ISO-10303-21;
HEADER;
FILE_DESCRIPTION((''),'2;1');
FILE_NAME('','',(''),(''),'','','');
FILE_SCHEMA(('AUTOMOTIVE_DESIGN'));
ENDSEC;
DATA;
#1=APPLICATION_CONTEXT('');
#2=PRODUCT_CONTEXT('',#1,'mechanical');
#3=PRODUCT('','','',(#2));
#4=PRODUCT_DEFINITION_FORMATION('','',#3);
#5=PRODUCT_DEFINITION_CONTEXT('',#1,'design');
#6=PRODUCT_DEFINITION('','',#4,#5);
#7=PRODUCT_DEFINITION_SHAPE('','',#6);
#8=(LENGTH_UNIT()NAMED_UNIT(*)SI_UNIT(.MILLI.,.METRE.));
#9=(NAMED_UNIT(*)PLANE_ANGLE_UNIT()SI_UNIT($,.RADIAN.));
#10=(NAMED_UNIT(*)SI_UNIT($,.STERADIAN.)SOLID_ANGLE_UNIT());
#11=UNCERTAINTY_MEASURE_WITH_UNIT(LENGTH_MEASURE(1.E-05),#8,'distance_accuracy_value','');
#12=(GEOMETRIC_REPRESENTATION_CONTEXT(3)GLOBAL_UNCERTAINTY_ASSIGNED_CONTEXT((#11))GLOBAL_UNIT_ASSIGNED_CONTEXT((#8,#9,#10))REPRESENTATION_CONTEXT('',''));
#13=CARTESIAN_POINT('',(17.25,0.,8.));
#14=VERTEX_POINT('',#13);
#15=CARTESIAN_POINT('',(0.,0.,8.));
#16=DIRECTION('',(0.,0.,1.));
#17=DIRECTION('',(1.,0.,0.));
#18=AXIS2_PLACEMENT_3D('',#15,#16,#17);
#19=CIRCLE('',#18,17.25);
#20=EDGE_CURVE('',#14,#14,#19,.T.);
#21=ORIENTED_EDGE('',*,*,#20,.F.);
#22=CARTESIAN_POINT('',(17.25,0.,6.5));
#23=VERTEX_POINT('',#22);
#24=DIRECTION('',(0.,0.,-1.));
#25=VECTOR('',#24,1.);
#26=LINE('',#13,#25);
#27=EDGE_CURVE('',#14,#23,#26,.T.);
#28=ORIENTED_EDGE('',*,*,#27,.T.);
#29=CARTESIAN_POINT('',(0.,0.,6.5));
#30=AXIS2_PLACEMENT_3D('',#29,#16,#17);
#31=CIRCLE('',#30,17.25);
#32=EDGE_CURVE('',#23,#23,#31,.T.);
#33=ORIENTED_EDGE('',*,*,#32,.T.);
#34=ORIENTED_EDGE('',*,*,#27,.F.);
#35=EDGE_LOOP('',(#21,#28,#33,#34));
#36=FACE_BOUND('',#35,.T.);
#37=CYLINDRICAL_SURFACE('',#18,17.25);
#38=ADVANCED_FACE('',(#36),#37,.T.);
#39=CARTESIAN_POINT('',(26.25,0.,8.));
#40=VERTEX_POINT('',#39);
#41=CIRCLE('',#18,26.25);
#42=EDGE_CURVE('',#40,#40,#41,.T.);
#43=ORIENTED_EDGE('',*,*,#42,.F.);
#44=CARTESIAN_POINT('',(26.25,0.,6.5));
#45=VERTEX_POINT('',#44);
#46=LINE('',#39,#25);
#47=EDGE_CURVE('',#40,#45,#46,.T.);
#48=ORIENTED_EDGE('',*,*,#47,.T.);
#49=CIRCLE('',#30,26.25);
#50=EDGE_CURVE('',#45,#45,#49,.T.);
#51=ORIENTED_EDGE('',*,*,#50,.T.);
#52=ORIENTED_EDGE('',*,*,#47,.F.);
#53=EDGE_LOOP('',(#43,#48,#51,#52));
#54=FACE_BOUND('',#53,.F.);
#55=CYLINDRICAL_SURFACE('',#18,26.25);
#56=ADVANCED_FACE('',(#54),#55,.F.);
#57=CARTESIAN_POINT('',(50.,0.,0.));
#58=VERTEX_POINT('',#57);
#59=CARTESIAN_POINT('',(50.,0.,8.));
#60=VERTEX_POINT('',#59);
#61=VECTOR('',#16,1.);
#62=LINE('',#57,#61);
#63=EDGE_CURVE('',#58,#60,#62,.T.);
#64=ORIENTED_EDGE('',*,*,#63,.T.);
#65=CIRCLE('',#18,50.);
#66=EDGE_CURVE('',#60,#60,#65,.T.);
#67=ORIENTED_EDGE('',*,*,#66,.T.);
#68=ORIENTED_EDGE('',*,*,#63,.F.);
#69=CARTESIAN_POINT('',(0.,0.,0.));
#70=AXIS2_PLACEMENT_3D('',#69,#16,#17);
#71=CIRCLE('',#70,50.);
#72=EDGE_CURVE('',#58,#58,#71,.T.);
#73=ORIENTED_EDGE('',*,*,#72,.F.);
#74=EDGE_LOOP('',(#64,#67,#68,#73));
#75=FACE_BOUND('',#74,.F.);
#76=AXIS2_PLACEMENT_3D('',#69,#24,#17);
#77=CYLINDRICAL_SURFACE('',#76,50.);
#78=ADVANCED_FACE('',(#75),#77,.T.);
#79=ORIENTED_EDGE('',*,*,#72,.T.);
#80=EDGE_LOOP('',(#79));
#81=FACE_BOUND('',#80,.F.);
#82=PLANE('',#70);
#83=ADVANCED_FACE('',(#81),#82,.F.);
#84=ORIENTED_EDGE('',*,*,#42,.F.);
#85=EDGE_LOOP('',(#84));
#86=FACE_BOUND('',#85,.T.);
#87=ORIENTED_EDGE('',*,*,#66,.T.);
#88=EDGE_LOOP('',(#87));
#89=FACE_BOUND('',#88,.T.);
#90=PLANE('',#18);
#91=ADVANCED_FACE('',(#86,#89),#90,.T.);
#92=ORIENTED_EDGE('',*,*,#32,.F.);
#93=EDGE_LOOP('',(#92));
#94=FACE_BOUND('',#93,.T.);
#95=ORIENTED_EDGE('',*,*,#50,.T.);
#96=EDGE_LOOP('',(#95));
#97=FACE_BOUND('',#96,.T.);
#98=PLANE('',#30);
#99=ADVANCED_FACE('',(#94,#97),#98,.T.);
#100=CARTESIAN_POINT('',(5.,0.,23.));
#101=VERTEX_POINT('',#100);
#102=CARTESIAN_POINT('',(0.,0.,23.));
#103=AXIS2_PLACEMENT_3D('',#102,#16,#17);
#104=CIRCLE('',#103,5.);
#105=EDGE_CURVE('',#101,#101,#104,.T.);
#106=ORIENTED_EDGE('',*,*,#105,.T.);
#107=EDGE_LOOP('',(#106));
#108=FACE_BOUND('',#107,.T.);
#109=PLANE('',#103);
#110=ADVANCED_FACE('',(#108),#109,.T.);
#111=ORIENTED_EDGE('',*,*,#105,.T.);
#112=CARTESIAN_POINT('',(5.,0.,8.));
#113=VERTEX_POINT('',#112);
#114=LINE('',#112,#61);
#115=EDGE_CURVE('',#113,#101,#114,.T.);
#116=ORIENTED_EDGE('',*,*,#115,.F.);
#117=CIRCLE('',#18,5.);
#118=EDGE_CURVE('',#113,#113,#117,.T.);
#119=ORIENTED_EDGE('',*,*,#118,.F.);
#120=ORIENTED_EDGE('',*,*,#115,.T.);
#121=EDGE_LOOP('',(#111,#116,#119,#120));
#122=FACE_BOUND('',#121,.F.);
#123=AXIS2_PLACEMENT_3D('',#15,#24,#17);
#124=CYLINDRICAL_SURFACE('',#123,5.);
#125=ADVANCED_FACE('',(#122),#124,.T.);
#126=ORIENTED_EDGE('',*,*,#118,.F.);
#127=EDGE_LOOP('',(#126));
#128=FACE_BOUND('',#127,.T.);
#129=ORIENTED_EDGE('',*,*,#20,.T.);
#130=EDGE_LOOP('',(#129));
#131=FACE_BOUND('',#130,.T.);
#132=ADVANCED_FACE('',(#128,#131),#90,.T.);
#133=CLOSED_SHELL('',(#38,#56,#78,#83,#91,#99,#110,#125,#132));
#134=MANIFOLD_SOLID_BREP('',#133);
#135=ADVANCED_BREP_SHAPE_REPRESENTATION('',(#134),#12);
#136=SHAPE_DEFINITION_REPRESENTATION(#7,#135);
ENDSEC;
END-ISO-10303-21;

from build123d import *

# Parameters (mm, degrees)
F0_R     = 50
F1_DEPTH = 8
F2_R     = 26.25
F2_R_2   = 17.25
F3_DEPTH = 1.5
F4_R     = 5
F5_DEPTH = 15


with BuildPart() as f1:
    # F0 (on Top) → F1 (new body)
    with BuildSketch(Plane.XY):
        Circle(F0_R)
    extrude(amount=F1_DEPTH)

    # F2 (on face) → F3 (cut)
    with BuildSketch(Plane.XY.offset(8)):
        Circle(F2_R)
        Circle(F2_R_2, mode=Mode.SUBTRACT)
    extrude(amount=-F3_DEPTH, mode=Mode.SUBTRACT)

    # F4 (on face) → F5 (join)
    with BuildSketch(Plane.XY.offset(8)):
        Circle(F4_R)
    extrude(amount=F5_DEPTH)


solid = f1.part
